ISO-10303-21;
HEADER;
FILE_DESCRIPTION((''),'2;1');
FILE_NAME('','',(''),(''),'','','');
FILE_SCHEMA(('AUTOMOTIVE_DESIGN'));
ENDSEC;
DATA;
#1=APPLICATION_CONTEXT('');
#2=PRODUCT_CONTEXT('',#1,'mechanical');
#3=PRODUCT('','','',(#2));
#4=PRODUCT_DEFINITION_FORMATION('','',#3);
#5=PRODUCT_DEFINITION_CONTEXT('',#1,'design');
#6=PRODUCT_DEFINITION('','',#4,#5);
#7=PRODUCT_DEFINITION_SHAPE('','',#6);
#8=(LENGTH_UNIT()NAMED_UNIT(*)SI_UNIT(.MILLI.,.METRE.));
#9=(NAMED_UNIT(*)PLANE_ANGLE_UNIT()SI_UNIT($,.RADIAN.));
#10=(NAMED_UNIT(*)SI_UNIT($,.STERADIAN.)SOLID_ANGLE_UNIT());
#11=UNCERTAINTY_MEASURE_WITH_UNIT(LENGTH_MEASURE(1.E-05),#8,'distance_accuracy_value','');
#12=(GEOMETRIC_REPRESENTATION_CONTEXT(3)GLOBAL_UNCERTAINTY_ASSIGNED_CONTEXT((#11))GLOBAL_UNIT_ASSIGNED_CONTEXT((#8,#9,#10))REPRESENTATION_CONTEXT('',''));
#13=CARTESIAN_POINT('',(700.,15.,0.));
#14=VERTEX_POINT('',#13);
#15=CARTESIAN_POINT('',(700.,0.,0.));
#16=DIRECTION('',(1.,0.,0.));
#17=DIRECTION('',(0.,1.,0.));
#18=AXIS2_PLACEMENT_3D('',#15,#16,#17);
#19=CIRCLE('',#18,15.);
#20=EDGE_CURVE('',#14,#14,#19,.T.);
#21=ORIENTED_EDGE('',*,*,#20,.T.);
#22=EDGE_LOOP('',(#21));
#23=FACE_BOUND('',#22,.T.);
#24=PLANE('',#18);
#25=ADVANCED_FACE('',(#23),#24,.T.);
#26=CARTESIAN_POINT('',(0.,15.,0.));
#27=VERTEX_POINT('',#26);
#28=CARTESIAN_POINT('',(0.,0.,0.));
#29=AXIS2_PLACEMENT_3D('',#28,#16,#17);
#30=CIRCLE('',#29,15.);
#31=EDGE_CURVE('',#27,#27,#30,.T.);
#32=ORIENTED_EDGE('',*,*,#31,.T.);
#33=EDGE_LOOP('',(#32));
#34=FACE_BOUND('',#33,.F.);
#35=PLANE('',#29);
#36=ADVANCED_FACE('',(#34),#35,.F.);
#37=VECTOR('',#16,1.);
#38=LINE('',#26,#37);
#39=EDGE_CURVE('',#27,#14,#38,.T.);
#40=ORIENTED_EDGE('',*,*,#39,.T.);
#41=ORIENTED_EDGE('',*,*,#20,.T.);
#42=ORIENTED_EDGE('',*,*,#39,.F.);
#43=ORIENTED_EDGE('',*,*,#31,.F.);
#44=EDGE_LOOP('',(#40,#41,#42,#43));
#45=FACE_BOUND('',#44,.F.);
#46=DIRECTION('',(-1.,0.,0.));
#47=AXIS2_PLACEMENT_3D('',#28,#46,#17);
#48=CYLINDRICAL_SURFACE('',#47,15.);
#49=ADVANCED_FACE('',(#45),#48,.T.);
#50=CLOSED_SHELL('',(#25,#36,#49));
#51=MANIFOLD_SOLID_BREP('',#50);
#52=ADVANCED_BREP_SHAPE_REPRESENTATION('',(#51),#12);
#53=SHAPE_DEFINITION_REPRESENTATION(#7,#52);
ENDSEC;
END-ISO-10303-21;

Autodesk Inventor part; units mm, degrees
ref_plane "YZ Plane" through (0, 0, 0) normal (1, 0, 0) x (0, 1, 0)
ref_plane "XZ Plane" through (0, 0, 0) normal (0, 1, 0) x (-1, 0, 0)
ref_plane "XY Plane" through (0, 0, 0) normal (0, 0, 1) x (1, 0, 0)
sketch "Esquisse1" plane through (0, 0, 0) normal (1, 0, 0) x (0, 1, 0)
  circle A0 centre (0, 0) radius 15
  dimension "d0" = 30
extrude "Extrusion1" add sketch "Esquisse1" along normal blind 700
properties part number "rod"
